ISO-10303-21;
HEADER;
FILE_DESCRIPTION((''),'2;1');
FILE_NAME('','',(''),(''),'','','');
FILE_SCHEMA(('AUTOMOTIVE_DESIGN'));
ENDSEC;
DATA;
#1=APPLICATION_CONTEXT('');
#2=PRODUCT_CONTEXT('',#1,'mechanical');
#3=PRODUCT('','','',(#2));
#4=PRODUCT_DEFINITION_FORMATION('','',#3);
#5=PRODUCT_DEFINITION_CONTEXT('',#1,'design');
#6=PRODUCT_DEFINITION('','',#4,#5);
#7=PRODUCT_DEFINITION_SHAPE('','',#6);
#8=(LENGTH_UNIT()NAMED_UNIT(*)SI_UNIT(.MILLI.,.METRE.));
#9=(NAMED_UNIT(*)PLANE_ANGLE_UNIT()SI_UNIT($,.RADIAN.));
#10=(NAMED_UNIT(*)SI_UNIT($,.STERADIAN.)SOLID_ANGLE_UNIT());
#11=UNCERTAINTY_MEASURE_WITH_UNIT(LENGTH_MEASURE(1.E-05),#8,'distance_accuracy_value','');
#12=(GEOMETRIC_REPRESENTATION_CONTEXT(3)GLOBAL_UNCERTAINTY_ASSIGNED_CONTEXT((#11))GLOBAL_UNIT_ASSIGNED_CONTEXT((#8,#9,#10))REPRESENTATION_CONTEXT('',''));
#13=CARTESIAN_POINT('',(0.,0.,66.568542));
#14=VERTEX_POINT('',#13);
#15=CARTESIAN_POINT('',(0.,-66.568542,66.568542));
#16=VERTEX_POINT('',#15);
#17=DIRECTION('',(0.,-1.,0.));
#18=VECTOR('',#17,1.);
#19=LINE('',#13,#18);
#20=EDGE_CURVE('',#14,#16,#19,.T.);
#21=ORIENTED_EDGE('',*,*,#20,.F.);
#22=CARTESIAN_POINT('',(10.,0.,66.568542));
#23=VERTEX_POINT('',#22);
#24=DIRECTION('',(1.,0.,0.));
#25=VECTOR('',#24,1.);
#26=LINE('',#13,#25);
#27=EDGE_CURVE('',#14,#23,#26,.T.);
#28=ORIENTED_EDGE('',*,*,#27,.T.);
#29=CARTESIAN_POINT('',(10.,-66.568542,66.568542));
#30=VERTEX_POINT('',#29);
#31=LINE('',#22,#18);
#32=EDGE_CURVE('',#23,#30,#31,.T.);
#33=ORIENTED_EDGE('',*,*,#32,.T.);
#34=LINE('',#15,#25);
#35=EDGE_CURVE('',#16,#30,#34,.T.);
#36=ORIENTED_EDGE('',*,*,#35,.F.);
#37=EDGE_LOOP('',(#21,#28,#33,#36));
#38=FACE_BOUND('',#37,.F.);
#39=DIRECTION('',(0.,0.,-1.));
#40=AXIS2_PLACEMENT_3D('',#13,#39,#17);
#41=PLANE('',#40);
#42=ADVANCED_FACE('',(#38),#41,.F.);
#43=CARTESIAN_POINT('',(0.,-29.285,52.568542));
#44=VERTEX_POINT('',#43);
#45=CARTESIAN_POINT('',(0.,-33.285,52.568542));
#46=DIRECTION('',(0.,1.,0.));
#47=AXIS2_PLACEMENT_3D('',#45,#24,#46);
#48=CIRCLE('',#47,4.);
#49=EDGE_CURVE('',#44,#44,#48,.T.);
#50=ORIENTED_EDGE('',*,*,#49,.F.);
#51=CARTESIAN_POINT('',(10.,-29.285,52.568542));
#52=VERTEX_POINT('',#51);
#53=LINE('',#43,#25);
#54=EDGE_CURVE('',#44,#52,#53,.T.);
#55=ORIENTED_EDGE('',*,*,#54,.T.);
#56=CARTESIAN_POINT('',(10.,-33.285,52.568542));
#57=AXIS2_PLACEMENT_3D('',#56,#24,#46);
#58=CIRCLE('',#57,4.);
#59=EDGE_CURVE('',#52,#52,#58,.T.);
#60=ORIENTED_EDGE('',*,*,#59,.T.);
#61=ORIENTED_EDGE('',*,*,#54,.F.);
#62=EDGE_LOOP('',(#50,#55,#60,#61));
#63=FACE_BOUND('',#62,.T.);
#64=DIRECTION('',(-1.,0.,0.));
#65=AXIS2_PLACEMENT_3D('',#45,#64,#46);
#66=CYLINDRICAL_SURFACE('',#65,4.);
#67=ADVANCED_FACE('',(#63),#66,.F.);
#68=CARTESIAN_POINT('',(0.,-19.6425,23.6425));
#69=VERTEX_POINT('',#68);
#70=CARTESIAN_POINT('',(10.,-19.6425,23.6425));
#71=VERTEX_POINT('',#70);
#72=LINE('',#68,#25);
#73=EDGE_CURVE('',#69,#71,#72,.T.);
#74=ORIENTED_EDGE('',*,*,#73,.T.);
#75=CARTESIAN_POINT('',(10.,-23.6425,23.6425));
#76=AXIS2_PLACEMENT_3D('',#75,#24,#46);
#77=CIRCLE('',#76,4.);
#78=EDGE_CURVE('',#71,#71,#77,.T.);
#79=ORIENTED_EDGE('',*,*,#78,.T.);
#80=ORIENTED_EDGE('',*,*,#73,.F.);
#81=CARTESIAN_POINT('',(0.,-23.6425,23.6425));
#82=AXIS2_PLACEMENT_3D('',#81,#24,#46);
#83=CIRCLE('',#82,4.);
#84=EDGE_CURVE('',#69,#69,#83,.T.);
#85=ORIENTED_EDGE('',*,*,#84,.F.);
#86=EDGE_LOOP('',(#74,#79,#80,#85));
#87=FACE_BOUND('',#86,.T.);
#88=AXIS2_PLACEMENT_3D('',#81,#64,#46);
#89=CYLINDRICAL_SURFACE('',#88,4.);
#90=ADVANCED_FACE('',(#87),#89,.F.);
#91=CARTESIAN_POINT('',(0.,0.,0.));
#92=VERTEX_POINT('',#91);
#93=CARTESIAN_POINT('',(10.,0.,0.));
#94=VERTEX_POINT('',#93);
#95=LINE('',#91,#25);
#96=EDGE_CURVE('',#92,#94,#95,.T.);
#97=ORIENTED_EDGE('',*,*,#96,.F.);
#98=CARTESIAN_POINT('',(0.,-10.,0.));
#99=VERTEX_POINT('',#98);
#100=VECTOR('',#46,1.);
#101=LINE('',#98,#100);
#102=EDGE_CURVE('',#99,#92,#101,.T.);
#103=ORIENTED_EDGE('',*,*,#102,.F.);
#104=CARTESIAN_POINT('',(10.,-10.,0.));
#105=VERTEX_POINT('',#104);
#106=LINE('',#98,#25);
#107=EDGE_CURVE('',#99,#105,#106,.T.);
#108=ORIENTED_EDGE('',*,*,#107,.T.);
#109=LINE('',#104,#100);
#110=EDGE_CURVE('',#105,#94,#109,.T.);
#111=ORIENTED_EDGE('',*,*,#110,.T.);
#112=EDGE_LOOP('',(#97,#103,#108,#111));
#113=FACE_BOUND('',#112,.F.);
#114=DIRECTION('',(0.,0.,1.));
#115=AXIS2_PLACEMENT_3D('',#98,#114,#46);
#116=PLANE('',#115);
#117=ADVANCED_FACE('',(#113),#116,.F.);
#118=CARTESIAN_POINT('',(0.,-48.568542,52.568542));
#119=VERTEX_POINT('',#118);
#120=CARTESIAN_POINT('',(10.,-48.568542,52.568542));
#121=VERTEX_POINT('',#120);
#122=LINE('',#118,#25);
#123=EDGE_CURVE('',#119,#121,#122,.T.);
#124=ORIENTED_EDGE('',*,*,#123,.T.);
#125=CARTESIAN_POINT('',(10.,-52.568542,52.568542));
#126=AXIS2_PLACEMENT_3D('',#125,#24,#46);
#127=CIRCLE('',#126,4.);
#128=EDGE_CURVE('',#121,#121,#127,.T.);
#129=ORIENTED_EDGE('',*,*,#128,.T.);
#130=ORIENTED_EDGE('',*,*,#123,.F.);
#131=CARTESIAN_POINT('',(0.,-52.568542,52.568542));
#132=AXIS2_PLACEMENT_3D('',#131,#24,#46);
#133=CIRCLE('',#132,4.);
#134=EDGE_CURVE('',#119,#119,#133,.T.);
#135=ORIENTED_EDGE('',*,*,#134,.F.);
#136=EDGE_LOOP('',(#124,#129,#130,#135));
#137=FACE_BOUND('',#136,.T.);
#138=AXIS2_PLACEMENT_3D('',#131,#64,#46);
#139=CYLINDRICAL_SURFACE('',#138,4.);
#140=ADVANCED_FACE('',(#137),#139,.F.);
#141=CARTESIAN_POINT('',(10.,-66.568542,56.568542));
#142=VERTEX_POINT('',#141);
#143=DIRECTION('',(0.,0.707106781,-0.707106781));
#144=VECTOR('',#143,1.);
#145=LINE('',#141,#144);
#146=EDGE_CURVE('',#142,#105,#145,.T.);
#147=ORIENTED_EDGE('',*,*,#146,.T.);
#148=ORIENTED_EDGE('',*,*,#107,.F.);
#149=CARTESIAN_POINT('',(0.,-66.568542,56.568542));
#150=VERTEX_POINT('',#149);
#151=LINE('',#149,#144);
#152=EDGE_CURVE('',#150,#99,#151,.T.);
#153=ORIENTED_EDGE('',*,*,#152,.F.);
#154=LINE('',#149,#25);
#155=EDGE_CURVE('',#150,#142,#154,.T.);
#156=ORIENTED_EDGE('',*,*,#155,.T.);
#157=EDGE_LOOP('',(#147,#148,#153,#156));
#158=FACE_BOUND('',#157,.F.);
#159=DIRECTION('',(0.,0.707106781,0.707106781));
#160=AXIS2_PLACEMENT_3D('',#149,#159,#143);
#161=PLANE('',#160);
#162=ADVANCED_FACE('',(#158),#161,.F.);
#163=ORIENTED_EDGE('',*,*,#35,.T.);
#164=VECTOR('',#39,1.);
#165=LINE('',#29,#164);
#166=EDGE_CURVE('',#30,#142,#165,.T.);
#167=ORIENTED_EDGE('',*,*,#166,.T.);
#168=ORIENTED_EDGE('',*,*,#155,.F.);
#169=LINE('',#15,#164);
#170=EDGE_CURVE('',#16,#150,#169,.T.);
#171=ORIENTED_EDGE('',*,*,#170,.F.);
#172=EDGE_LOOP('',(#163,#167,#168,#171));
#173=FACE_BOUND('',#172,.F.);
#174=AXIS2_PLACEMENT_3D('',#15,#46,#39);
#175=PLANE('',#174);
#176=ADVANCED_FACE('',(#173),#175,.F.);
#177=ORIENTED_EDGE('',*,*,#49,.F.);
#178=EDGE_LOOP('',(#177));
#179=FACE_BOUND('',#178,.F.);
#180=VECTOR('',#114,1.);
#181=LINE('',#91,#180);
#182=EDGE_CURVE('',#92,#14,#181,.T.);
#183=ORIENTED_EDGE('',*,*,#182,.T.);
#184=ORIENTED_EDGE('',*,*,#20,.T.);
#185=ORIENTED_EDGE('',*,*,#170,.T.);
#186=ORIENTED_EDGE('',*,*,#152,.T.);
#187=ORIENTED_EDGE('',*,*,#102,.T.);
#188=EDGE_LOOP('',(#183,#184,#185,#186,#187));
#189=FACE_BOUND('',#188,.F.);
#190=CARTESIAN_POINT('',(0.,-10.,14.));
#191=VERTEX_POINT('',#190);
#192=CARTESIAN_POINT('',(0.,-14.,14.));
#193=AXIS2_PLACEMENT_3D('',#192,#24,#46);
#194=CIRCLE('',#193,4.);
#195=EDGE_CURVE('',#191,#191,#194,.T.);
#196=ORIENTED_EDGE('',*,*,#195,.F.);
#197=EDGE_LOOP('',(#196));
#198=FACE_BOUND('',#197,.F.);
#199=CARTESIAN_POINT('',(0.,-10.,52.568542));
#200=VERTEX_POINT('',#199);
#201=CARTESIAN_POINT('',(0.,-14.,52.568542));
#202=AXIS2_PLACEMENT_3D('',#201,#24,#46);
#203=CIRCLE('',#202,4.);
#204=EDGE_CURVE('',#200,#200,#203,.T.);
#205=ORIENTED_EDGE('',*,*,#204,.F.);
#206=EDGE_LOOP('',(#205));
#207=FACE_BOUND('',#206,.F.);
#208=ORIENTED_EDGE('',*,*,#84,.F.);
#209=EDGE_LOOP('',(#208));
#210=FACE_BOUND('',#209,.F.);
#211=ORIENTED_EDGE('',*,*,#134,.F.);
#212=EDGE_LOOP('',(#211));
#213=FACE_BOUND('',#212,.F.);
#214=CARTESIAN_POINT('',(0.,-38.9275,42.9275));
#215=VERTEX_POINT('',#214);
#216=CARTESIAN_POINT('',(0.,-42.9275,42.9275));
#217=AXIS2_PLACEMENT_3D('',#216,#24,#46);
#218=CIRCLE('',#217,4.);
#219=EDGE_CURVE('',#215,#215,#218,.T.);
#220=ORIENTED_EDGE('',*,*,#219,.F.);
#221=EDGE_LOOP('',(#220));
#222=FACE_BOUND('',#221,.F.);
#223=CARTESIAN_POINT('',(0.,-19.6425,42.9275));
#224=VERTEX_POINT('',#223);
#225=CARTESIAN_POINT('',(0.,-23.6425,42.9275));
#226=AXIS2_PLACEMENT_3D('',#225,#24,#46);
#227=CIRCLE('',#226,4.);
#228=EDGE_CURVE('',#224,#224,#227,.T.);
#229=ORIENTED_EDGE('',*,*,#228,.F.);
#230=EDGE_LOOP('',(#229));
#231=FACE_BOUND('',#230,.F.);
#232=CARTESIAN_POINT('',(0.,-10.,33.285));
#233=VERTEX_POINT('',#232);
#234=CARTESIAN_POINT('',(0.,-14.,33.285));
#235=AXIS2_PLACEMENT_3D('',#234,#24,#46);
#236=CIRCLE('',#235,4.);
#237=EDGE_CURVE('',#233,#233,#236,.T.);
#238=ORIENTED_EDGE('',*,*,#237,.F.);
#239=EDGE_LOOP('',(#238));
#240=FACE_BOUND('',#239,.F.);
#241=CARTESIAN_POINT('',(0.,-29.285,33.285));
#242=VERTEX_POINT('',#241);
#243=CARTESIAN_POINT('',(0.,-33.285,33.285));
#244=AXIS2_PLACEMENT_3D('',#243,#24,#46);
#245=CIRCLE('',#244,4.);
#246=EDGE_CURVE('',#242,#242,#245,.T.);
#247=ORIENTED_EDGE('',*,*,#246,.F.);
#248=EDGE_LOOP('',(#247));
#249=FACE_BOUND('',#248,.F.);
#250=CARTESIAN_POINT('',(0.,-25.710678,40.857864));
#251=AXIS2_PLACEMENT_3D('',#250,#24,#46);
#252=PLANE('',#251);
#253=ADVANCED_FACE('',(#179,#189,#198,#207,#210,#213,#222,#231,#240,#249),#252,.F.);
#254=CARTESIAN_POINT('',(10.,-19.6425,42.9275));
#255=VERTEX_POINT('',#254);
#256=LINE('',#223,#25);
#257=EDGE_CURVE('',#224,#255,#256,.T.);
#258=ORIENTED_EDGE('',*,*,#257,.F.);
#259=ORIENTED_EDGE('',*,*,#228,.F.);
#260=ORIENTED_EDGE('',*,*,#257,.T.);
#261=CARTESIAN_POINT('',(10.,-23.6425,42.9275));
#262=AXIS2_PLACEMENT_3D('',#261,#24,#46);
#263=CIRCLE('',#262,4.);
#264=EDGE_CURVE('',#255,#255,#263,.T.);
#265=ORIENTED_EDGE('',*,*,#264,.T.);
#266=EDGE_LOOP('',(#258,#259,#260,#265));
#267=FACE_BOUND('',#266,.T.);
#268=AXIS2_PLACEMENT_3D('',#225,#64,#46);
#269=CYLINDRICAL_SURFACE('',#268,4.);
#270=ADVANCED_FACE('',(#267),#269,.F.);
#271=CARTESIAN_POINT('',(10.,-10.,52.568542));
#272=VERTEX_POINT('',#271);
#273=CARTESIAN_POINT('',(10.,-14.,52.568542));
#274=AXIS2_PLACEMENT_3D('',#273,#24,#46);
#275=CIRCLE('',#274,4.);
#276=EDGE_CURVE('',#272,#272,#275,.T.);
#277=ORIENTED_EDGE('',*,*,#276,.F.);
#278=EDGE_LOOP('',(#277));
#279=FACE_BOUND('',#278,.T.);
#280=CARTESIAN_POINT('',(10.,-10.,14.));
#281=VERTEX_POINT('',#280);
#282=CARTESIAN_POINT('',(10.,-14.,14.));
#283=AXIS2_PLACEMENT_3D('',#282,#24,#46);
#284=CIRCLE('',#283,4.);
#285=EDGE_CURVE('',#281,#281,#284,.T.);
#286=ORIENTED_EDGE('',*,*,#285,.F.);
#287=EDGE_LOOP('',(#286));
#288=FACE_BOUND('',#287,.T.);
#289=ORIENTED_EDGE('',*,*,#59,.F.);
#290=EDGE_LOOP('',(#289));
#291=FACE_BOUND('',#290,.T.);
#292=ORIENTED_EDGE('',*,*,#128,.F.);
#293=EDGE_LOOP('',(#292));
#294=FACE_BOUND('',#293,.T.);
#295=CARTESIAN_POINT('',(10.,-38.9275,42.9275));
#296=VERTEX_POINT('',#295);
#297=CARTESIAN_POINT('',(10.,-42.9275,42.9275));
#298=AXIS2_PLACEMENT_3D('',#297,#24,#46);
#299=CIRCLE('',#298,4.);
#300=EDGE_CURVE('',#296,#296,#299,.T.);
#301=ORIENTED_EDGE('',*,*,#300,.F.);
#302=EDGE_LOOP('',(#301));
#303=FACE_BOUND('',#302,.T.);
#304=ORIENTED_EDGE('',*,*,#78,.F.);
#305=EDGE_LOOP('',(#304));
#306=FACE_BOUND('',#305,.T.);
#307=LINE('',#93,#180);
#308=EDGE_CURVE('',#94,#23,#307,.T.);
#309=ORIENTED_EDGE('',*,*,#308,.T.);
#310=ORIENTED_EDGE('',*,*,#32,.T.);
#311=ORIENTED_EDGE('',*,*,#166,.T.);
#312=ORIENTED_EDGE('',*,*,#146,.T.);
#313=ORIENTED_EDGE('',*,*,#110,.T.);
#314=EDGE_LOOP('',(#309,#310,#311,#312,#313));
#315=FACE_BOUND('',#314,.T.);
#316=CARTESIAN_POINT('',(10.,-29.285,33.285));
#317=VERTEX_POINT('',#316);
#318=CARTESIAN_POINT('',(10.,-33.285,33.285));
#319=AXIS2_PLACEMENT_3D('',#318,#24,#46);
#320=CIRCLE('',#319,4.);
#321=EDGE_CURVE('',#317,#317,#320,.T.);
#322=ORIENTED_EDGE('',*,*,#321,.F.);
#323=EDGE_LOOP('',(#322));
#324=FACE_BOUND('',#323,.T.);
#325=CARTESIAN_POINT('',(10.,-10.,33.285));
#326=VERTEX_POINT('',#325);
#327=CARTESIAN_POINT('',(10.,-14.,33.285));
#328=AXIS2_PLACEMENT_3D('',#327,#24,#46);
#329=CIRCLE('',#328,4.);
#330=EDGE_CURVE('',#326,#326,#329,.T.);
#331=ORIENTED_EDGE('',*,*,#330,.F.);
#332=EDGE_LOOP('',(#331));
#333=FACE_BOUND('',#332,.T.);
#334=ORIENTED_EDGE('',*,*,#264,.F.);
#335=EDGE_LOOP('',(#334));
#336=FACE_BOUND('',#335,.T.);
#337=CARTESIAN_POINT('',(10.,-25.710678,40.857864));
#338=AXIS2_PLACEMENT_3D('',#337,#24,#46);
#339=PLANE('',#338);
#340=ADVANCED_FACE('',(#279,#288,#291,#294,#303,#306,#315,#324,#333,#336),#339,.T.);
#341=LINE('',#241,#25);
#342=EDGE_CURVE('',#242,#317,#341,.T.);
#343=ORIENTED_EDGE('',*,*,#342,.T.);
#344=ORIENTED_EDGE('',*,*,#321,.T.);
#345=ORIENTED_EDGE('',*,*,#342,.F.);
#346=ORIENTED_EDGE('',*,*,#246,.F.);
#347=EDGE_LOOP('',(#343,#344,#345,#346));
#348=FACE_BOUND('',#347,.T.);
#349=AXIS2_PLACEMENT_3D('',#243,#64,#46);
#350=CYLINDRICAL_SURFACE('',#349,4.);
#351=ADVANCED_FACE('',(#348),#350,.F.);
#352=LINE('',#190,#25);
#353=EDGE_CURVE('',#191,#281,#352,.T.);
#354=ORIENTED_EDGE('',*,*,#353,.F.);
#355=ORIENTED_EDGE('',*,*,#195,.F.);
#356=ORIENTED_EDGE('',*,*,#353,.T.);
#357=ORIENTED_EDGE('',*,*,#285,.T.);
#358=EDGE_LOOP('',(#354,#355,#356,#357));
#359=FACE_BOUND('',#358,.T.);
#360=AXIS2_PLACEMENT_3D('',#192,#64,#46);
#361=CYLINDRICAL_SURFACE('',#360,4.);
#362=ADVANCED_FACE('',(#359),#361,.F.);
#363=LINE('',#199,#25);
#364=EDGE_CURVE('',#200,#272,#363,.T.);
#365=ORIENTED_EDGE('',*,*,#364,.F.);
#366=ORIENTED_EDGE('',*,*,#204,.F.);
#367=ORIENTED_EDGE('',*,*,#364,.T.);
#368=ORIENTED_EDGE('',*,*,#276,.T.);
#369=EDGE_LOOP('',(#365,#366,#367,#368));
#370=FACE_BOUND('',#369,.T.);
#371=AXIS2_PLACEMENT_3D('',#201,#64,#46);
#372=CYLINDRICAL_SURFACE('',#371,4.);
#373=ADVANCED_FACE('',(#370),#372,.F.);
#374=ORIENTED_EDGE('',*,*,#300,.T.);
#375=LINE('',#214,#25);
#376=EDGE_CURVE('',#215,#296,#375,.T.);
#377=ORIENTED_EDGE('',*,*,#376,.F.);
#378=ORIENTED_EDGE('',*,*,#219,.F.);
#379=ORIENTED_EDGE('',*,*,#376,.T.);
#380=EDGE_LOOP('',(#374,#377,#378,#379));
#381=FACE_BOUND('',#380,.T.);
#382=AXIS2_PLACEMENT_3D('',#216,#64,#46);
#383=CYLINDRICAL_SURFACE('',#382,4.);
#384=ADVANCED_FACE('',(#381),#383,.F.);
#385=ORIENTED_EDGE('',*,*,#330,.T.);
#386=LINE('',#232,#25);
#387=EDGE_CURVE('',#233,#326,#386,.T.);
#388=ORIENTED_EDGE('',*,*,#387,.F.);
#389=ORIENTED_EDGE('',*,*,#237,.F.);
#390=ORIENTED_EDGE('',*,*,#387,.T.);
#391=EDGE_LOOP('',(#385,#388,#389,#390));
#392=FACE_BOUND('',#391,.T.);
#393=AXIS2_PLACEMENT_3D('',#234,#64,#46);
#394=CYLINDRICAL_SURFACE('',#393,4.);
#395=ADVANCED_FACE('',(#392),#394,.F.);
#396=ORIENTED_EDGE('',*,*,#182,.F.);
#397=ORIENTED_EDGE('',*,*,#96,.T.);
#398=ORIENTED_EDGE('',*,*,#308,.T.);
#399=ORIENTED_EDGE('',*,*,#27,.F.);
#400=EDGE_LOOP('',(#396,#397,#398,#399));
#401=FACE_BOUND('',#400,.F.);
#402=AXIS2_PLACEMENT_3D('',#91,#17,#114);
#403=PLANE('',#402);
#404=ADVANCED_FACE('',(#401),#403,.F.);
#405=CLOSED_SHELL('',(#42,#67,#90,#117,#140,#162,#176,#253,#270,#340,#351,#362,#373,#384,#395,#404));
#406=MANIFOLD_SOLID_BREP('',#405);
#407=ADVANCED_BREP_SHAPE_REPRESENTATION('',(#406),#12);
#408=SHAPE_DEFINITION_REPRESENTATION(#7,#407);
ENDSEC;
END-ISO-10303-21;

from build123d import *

# Parameters (mm, degrees)
SKETCH_R  = 4
PAD_DEPTH = 10


with BuildPart() as part:
    # Sketch → Pad (new body)
    with BuildSketch(Plane.YZ):
        Polygon((0, 0), (0, 66.568542), (-66.568542, 66.568542), (-66.568542, 56.568542), (-10, 0), align=None)
        with Locations((-14, 52.568542)):
            Circle(SKETCH_R, mode=Mode.SUBTRACT)
        with Locations((-52.568542, 52.568542)):
            Circle(SKETCH_R, mode=Mode.SUBTRACT)
        with Locations((-14, 14)):
            Circle(SKETCH_R, mode=Mode.SUBTRACT)
        with Locations((-33.285, 52.568542)):
            Circle(SKETCH_R, mode=Mode.SUBTRACT)
        with Locations((-14, 33.285)):
            Circle(SKETCH_R, mode=Mode.SUBTRACT)
        with Locations((-33.285, 33.285)):
            Circle(SKETCH_R, mode=Mode.SUBTRACT)
        with Locations((-42.9275, 42.9275)):
            Circle(SKETCH_R, mode=Mode.SUBTRACT)
        with Locations((-23.6425, 42.9275)):
            Circle(SKETCH_R, mode=Mode.SUBTRACT)
        with Locations((-23.6425, 23.6425)):
            Circle(SKETCH_R, mode=Mode.SUBTRACT)
    extrude(amount=PAD_DEPTH)


solid = part.part
